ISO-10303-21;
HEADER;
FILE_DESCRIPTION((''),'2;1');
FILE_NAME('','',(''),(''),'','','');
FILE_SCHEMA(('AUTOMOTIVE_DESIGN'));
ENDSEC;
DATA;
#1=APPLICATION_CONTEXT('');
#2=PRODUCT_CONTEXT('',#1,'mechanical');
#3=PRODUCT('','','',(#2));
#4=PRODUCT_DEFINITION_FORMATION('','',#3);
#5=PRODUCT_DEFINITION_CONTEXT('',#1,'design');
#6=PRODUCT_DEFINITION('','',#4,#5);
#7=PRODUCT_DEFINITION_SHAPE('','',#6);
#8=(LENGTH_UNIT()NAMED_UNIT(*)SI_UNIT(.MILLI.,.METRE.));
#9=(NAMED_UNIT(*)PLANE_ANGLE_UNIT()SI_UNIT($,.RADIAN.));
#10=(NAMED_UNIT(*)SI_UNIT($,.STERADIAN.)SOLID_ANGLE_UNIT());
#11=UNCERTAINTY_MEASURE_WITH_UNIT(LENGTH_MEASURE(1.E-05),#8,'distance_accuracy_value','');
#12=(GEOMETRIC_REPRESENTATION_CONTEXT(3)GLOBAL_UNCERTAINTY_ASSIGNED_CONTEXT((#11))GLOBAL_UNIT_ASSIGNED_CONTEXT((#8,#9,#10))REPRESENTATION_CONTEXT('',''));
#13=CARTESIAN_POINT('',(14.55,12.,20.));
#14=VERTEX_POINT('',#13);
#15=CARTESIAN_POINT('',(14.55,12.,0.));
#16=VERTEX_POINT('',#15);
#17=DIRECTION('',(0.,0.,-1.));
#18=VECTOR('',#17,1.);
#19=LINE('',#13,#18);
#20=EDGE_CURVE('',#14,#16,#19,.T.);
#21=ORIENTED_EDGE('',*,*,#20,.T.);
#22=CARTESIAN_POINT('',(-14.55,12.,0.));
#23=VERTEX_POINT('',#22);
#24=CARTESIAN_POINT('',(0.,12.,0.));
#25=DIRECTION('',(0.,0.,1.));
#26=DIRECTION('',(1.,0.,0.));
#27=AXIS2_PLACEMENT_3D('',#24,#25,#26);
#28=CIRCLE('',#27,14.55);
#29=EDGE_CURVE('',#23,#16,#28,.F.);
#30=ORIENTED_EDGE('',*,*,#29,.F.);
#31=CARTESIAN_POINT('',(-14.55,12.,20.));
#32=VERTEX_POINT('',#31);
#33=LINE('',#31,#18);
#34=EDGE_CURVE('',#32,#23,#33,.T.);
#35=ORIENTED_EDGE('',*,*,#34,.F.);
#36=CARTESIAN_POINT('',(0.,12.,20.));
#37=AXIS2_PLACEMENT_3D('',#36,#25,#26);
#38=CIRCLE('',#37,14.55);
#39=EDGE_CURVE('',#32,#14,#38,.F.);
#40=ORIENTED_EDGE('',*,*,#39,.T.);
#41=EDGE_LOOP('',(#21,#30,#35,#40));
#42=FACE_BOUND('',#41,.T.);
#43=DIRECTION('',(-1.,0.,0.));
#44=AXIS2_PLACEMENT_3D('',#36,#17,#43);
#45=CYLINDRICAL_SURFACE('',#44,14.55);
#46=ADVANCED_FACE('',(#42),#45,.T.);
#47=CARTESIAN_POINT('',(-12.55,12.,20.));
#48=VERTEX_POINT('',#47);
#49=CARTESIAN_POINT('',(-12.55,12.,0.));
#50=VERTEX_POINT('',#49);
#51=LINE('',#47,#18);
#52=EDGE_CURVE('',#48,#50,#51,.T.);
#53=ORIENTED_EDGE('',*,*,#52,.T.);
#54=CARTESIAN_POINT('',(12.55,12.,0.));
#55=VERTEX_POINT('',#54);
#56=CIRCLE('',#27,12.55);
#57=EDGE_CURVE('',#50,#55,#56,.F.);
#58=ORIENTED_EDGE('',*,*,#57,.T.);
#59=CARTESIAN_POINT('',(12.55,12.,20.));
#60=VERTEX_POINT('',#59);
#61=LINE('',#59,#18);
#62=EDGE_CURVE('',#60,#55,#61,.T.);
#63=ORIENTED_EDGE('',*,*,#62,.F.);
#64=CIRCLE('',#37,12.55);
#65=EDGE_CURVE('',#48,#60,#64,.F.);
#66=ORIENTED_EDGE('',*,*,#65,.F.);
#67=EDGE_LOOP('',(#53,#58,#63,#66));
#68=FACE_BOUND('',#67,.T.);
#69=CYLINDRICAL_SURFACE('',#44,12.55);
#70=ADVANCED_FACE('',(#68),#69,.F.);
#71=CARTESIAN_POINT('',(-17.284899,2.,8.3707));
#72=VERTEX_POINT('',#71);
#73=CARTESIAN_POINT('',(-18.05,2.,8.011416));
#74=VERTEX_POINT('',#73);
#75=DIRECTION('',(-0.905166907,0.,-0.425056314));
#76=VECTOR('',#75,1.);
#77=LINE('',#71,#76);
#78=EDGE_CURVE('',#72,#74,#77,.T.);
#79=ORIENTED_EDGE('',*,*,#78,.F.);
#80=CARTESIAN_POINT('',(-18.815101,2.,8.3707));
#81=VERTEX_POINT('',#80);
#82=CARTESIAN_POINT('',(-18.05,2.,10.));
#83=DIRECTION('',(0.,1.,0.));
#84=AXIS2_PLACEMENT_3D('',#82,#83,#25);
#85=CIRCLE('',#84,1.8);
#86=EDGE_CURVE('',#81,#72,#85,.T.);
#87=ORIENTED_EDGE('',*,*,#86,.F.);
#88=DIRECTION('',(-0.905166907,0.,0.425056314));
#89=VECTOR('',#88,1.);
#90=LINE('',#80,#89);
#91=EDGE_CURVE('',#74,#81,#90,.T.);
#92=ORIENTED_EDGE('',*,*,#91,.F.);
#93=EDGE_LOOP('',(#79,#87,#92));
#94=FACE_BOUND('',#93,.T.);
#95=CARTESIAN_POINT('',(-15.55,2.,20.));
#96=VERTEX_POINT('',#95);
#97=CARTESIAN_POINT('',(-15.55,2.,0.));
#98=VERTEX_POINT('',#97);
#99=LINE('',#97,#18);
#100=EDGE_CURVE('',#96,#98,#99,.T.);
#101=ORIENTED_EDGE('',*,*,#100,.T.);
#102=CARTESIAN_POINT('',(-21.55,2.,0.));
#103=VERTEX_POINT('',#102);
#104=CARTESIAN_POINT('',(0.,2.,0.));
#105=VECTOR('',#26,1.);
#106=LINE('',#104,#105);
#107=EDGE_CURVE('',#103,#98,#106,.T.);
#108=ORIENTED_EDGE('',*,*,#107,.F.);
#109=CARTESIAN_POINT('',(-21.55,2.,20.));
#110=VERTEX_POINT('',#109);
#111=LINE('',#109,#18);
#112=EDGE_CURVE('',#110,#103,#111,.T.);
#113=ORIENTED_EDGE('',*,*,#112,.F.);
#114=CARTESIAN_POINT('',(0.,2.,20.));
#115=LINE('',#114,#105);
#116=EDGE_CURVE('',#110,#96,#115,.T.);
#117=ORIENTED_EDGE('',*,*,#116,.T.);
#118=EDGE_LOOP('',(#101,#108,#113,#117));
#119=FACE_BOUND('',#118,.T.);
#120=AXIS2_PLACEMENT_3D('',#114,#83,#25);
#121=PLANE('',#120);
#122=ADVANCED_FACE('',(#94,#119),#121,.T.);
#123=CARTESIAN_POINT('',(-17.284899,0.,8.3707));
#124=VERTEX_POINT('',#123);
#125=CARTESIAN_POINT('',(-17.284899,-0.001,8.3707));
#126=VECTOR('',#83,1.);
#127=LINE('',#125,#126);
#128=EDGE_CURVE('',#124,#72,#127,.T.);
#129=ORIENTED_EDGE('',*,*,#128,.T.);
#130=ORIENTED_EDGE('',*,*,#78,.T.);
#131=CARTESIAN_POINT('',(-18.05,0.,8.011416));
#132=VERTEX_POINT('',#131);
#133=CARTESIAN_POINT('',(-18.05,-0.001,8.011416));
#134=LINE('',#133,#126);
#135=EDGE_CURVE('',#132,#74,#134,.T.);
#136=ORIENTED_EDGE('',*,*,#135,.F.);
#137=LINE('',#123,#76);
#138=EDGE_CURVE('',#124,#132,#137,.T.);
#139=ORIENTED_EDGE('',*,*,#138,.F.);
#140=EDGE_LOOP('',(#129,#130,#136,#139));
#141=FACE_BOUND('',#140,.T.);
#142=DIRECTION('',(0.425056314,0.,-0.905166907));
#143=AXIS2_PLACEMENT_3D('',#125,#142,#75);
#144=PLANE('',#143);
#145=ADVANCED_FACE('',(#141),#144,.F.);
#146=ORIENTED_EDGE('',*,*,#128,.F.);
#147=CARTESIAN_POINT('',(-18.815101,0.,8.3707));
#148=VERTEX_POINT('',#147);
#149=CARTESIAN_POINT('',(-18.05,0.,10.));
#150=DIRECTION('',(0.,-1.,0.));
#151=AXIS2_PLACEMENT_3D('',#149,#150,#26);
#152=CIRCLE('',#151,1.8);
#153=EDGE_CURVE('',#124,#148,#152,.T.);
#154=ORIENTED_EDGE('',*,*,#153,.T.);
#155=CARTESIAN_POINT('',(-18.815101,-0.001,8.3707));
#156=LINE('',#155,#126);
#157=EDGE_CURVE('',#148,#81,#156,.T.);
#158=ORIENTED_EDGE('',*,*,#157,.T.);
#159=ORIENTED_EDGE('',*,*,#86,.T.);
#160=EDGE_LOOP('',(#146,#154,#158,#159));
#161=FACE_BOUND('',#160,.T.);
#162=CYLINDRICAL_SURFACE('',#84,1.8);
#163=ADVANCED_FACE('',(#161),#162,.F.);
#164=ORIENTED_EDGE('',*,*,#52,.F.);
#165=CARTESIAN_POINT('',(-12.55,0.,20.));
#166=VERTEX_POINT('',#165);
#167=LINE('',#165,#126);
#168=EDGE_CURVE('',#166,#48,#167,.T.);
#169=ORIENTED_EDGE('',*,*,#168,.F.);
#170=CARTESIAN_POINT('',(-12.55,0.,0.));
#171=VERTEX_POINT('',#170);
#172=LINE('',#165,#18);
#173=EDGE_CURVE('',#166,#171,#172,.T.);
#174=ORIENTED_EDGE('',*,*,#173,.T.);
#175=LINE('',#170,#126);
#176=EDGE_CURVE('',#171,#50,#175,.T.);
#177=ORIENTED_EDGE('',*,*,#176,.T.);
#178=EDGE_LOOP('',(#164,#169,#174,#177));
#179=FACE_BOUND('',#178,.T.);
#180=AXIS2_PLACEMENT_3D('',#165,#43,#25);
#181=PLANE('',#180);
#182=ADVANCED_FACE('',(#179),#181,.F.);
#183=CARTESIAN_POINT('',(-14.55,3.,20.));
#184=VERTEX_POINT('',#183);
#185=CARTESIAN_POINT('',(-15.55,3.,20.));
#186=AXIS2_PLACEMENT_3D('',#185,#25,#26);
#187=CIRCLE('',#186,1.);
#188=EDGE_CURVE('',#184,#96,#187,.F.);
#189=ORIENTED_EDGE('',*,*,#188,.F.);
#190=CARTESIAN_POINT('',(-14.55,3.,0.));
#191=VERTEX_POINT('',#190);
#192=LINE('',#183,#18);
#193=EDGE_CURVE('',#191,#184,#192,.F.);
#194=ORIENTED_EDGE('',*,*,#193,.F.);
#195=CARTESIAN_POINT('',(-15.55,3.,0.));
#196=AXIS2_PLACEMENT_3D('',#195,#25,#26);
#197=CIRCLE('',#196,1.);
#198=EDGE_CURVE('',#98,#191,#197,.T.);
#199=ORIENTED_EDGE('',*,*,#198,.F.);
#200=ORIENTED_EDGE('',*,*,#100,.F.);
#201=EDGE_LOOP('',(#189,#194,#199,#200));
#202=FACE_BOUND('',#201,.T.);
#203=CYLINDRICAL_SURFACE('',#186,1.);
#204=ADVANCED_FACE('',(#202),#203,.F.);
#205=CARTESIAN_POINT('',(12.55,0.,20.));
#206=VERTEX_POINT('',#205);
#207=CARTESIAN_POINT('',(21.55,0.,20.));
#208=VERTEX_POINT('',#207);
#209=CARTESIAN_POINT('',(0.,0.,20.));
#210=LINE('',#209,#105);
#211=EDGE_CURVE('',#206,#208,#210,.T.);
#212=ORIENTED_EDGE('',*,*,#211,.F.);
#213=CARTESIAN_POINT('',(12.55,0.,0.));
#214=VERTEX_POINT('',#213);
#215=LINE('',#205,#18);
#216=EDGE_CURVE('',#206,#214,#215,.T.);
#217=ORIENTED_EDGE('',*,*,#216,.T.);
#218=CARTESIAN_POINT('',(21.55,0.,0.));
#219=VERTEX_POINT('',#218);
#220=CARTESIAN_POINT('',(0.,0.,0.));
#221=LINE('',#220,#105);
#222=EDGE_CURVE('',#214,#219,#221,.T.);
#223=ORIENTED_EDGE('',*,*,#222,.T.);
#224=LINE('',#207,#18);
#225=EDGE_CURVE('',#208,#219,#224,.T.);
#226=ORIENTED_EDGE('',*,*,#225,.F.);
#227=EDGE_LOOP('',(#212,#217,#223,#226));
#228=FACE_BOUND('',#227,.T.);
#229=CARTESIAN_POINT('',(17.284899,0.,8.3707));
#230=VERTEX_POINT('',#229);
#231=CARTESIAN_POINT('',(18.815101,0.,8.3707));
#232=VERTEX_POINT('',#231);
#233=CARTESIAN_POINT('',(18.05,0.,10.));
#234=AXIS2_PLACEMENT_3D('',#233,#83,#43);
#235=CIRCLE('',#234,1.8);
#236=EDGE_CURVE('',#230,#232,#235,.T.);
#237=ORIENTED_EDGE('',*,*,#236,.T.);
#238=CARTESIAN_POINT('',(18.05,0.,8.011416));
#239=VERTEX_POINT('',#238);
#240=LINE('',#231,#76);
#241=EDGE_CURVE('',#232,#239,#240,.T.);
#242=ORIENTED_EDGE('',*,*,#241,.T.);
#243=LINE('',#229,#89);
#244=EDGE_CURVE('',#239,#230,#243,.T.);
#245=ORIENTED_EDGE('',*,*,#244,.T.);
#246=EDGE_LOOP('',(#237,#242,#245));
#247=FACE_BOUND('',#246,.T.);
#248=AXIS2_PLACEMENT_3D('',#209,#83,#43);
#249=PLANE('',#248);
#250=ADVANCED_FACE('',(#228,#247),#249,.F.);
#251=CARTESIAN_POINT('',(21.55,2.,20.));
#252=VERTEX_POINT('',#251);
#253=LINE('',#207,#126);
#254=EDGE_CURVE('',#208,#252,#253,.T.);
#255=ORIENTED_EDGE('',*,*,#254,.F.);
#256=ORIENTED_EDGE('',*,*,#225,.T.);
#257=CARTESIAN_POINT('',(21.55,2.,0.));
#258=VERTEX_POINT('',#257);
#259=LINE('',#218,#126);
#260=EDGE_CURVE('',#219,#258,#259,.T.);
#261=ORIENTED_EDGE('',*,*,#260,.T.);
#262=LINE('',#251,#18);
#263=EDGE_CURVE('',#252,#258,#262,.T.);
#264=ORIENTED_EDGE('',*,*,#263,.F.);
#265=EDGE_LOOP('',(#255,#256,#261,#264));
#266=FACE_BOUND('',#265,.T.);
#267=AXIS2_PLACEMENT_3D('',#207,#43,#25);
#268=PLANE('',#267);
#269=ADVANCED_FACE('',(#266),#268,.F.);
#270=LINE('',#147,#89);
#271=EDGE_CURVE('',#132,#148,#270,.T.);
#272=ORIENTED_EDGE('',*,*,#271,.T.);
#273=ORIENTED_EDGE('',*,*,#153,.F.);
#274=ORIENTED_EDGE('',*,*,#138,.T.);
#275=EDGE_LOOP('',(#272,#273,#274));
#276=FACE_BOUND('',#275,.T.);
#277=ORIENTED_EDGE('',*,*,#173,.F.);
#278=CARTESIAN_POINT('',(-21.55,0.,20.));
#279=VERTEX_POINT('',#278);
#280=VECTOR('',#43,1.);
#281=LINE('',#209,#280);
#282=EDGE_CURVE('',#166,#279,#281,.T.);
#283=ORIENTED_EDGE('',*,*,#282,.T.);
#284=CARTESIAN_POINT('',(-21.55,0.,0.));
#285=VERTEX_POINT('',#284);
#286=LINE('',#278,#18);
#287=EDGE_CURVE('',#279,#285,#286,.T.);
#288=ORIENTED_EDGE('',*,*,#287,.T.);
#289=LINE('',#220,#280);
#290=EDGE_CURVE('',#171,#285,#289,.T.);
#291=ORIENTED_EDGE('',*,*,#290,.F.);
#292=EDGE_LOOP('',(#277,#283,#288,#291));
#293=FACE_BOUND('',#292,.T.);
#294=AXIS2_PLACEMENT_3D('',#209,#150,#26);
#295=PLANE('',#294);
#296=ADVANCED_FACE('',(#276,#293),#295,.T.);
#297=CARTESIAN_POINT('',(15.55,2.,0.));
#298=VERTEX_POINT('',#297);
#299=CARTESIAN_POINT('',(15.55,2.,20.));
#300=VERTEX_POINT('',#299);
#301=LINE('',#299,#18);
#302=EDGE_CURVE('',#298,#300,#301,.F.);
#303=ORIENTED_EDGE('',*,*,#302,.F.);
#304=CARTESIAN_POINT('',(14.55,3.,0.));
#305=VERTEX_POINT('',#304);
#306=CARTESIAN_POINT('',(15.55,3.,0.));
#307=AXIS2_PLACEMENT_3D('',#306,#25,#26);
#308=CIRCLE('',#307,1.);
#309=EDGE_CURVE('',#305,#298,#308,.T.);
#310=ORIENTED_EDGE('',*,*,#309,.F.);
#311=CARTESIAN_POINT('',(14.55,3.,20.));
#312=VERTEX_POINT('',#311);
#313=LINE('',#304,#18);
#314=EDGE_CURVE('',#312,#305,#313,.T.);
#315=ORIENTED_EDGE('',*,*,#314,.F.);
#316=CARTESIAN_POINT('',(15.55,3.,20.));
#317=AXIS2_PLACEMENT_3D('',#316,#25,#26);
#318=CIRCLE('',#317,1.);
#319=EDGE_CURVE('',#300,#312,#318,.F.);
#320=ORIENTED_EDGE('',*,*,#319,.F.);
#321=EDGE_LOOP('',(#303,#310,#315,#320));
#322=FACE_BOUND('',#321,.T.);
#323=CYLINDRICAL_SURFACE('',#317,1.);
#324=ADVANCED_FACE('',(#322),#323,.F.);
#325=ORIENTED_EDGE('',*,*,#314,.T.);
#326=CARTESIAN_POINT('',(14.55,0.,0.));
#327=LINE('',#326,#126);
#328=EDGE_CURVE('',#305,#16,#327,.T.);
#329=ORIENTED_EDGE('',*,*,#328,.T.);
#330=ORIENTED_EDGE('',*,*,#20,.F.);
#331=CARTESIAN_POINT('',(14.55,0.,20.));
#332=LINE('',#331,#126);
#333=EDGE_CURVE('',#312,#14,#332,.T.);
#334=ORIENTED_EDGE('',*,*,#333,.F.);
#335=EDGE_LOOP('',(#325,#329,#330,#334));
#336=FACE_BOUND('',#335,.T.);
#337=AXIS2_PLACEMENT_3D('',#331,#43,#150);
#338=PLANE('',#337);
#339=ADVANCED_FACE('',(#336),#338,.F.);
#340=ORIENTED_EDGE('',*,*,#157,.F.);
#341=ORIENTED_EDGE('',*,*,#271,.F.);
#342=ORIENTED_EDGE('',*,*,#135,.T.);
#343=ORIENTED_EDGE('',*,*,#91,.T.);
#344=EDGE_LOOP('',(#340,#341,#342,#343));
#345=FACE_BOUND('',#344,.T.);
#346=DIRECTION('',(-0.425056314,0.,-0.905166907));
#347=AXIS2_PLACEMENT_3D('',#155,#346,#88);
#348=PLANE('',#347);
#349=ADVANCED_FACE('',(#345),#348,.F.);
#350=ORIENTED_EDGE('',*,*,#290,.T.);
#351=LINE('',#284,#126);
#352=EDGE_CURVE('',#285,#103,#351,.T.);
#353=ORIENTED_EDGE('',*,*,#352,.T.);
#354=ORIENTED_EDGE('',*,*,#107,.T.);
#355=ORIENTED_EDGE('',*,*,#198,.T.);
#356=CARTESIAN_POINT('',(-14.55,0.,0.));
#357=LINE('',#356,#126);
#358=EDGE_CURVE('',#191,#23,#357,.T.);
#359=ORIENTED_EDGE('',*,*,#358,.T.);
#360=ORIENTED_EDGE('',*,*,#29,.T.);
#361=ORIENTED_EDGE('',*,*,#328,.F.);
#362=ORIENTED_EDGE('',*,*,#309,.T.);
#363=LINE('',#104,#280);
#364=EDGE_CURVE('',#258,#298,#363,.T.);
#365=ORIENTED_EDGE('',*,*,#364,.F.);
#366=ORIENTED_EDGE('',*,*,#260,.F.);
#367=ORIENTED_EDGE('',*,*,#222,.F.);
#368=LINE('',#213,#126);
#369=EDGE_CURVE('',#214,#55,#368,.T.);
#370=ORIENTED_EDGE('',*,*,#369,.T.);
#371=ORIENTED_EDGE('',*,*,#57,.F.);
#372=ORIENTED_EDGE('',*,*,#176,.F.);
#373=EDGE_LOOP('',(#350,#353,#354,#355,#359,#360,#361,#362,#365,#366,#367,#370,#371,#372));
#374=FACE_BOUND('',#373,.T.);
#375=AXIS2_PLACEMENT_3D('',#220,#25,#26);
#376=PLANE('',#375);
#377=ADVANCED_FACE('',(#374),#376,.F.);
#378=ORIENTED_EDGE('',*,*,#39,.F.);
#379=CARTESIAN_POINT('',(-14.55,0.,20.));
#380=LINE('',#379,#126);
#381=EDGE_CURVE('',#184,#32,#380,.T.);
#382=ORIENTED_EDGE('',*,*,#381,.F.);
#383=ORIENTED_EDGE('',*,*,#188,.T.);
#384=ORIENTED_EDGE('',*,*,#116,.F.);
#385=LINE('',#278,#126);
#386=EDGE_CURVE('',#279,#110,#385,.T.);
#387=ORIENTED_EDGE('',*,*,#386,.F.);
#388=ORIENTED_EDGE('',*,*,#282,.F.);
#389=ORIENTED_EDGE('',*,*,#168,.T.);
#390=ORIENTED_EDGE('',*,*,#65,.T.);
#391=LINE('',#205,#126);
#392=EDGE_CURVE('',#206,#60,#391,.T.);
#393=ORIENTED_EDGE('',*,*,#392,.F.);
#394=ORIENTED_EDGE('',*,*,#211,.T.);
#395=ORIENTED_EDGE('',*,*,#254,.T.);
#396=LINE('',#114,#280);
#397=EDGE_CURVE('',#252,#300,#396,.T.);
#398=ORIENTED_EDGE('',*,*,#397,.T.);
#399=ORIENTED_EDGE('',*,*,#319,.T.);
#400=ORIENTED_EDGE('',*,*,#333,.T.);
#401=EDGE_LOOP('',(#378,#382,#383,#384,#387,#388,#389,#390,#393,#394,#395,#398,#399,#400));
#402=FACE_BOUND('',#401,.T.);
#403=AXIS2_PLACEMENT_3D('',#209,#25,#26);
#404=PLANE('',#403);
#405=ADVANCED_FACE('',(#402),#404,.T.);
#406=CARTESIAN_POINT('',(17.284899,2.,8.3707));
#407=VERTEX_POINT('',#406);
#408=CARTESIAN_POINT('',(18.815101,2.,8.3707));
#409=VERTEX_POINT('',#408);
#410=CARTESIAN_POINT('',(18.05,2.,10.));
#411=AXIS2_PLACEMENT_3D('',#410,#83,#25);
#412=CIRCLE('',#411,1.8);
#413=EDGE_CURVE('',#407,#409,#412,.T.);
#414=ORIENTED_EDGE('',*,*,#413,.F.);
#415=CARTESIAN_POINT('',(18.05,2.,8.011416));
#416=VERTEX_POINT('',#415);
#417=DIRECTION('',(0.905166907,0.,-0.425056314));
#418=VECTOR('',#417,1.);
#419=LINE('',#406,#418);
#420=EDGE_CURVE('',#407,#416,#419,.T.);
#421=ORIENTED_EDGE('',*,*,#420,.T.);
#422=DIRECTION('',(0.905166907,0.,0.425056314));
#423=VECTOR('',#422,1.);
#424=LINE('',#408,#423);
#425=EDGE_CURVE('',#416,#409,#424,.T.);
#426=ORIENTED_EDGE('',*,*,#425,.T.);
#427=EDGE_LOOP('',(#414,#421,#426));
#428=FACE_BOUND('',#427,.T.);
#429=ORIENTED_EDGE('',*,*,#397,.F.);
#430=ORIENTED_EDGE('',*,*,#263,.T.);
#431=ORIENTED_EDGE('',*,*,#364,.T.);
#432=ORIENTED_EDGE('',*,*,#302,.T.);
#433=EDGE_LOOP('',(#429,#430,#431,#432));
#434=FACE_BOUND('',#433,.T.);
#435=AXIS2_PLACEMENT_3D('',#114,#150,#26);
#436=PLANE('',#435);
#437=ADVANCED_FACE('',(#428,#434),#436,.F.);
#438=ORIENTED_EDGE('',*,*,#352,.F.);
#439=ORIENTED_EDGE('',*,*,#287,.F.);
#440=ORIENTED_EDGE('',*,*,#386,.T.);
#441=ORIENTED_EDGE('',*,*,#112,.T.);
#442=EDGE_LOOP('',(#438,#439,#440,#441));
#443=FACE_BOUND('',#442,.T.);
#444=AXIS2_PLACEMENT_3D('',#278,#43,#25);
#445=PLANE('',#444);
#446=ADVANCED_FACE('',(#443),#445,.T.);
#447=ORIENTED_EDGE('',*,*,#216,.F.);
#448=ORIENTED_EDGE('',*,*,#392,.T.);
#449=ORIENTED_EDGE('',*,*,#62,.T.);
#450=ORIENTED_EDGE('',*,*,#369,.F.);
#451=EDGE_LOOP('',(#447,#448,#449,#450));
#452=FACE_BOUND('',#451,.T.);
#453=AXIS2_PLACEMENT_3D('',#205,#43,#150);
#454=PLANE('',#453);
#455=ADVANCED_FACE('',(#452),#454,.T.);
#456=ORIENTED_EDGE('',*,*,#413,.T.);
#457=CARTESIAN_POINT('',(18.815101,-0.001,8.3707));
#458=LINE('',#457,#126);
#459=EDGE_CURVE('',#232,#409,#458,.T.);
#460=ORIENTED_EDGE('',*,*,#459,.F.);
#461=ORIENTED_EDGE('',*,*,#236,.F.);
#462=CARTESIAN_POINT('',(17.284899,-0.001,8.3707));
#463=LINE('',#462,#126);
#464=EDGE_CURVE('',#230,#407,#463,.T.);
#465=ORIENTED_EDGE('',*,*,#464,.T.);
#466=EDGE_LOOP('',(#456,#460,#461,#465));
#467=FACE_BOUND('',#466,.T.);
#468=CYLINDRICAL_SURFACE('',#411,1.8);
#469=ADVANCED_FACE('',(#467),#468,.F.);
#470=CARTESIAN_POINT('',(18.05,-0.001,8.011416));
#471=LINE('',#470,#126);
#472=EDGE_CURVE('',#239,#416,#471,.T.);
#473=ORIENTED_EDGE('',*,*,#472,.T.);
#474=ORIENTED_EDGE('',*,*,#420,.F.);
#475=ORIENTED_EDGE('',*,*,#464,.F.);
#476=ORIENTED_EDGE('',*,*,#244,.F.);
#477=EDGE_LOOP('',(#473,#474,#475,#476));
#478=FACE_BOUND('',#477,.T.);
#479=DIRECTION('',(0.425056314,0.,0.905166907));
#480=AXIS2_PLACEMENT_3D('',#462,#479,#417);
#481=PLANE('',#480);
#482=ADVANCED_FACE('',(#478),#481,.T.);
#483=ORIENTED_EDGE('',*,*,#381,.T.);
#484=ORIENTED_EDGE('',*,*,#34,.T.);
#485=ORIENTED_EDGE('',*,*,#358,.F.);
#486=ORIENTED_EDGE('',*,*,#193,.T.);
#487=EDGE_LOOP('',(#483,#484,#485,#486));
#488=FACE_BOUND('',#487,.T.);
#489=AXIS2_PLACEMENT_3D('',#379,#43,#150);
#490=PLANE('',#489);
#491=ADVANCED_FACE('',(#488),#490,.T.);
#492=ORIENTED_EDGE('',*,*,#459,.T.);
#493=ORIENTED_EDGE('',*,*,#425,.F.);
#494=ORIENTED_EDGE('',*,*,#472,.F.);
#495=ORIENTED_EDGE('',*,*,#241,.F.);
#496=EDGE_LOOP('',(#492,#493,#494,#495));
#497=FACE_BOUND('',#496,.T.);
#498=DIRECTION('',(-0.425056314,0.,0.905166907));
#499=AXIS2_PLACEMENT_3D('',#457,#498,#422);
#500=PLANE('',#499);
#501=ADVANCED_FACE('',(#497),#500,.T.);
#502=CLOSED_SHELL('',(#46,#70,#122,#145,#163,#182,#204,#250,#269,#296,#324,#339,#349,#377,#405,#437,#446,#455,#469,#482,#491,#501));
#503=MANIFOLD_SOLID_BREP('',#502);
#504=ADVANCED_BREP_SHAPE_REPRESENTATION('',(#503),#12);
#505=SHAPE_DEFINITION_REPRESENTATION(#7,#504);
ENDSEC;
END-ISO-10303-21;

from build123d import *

# Parameters (mm, degrees)
SALIENTE_EXTRUIR1_DEPTH      = 20
TALADRO_DE_MARGEN_PARA_M31_D = 3.6
REDONDEO1_R                  = 1
CORTAR_EXTRUIR1_REACH        = 40.303


with BuildPart() as part:
    # Croquis1 → Saliente-Extruir1 (new body)
    with BuildSketch(Plane.XY):
        with BuildLine():
            Line((-12.55, 0), (-21.55, 0))
            Line((-21.55, 0), (-21.55, 2))
            Line((-21.55, 2), (-14.55, 2))
            Line((-14.55, 2), (-14.55, 12))
            ThreePointArc((-14.55, 12), (0, 26.55), (14.55, 12))
            Line((14.55, 12), (14.55, 2))
            Line((14.55, 2), (21.55, 2))
            Line((21.55, 2), (21.55, 0))
            Line((21.55, 0), (12.55, 0))
            Line((12.55, 0), (12.55, 12))
            ThreePointArc((12.55, 12), (0, 24.55), (-12.55, 12))
            Line((-12.55, 12), (-12.55, 0))
        make_face()
    extrude(amount=SALIENTE_EXTRUIR1_DEPTH)

    # Taladro de margen para M31 (through all)
    with Locations(Plane(origin=(0, 2, 0), x_dir=(1, 0, 0), z_dir=(0, 1, 0))):
        with Locations((18.05, -10), (-18.05, -10)):
            Hole(TALADRO_DE_MARGEN_PARA_M31_D / 2)

    # Redondeo1
    redondeo1_edges = [part.edges().sort_by_distance(p)[0] for p in [
        (14.55, 2, 10),
        (-14.55, 2, 10),
    ]]
    fillet(redondeo1_edges, radius=REDONDEO1_R)

    # Croquis4 → Cortar-Extruir1 (cut, up to next)
    with BuildSketch(Plane(origin=(0, 2, 0), x_dir=(1, 0, 0), z_dir=(0, 1, 0)), mode=Mode.PRIVATE) as cortar_extruir1_sk1:
        with BuildLine():
            Line((-18.815101364, -8.370699567), (-18.05, -8.011416474))
            Line((-18.05, -8.011416474), (-17.284898636, -8.370699567))
            ThreePointArc((-17.284898636, -8.370699567), (-18.05, -8.2), (-18.815101364, -8.370699567))
        make_face()
    cortar_extruir1_tool1 = extrude(cortar_extruir1_sk1.sketch, amount=-CORTAR_EXTRUIR1_REACH, mode=Mode.PRIVATE) & part.part
    cortar_extruir1 = cortar_extruir1_tool1.solids().sort_by_distance((-18.05, 2, 8.160025))[0]
    add(cortar_extruir1, mode=Mode.SUBTRACT)

    # Simetría1: Cortar-Extruir1 across plane
    add(cortar_extruir1.mirror(Plane(origin=(0, 0, 0), x_dir=(0, 0, 1), z_dir=(1, 0, 0))), mode=Mode.SUBTRACT)


solid = part.part
